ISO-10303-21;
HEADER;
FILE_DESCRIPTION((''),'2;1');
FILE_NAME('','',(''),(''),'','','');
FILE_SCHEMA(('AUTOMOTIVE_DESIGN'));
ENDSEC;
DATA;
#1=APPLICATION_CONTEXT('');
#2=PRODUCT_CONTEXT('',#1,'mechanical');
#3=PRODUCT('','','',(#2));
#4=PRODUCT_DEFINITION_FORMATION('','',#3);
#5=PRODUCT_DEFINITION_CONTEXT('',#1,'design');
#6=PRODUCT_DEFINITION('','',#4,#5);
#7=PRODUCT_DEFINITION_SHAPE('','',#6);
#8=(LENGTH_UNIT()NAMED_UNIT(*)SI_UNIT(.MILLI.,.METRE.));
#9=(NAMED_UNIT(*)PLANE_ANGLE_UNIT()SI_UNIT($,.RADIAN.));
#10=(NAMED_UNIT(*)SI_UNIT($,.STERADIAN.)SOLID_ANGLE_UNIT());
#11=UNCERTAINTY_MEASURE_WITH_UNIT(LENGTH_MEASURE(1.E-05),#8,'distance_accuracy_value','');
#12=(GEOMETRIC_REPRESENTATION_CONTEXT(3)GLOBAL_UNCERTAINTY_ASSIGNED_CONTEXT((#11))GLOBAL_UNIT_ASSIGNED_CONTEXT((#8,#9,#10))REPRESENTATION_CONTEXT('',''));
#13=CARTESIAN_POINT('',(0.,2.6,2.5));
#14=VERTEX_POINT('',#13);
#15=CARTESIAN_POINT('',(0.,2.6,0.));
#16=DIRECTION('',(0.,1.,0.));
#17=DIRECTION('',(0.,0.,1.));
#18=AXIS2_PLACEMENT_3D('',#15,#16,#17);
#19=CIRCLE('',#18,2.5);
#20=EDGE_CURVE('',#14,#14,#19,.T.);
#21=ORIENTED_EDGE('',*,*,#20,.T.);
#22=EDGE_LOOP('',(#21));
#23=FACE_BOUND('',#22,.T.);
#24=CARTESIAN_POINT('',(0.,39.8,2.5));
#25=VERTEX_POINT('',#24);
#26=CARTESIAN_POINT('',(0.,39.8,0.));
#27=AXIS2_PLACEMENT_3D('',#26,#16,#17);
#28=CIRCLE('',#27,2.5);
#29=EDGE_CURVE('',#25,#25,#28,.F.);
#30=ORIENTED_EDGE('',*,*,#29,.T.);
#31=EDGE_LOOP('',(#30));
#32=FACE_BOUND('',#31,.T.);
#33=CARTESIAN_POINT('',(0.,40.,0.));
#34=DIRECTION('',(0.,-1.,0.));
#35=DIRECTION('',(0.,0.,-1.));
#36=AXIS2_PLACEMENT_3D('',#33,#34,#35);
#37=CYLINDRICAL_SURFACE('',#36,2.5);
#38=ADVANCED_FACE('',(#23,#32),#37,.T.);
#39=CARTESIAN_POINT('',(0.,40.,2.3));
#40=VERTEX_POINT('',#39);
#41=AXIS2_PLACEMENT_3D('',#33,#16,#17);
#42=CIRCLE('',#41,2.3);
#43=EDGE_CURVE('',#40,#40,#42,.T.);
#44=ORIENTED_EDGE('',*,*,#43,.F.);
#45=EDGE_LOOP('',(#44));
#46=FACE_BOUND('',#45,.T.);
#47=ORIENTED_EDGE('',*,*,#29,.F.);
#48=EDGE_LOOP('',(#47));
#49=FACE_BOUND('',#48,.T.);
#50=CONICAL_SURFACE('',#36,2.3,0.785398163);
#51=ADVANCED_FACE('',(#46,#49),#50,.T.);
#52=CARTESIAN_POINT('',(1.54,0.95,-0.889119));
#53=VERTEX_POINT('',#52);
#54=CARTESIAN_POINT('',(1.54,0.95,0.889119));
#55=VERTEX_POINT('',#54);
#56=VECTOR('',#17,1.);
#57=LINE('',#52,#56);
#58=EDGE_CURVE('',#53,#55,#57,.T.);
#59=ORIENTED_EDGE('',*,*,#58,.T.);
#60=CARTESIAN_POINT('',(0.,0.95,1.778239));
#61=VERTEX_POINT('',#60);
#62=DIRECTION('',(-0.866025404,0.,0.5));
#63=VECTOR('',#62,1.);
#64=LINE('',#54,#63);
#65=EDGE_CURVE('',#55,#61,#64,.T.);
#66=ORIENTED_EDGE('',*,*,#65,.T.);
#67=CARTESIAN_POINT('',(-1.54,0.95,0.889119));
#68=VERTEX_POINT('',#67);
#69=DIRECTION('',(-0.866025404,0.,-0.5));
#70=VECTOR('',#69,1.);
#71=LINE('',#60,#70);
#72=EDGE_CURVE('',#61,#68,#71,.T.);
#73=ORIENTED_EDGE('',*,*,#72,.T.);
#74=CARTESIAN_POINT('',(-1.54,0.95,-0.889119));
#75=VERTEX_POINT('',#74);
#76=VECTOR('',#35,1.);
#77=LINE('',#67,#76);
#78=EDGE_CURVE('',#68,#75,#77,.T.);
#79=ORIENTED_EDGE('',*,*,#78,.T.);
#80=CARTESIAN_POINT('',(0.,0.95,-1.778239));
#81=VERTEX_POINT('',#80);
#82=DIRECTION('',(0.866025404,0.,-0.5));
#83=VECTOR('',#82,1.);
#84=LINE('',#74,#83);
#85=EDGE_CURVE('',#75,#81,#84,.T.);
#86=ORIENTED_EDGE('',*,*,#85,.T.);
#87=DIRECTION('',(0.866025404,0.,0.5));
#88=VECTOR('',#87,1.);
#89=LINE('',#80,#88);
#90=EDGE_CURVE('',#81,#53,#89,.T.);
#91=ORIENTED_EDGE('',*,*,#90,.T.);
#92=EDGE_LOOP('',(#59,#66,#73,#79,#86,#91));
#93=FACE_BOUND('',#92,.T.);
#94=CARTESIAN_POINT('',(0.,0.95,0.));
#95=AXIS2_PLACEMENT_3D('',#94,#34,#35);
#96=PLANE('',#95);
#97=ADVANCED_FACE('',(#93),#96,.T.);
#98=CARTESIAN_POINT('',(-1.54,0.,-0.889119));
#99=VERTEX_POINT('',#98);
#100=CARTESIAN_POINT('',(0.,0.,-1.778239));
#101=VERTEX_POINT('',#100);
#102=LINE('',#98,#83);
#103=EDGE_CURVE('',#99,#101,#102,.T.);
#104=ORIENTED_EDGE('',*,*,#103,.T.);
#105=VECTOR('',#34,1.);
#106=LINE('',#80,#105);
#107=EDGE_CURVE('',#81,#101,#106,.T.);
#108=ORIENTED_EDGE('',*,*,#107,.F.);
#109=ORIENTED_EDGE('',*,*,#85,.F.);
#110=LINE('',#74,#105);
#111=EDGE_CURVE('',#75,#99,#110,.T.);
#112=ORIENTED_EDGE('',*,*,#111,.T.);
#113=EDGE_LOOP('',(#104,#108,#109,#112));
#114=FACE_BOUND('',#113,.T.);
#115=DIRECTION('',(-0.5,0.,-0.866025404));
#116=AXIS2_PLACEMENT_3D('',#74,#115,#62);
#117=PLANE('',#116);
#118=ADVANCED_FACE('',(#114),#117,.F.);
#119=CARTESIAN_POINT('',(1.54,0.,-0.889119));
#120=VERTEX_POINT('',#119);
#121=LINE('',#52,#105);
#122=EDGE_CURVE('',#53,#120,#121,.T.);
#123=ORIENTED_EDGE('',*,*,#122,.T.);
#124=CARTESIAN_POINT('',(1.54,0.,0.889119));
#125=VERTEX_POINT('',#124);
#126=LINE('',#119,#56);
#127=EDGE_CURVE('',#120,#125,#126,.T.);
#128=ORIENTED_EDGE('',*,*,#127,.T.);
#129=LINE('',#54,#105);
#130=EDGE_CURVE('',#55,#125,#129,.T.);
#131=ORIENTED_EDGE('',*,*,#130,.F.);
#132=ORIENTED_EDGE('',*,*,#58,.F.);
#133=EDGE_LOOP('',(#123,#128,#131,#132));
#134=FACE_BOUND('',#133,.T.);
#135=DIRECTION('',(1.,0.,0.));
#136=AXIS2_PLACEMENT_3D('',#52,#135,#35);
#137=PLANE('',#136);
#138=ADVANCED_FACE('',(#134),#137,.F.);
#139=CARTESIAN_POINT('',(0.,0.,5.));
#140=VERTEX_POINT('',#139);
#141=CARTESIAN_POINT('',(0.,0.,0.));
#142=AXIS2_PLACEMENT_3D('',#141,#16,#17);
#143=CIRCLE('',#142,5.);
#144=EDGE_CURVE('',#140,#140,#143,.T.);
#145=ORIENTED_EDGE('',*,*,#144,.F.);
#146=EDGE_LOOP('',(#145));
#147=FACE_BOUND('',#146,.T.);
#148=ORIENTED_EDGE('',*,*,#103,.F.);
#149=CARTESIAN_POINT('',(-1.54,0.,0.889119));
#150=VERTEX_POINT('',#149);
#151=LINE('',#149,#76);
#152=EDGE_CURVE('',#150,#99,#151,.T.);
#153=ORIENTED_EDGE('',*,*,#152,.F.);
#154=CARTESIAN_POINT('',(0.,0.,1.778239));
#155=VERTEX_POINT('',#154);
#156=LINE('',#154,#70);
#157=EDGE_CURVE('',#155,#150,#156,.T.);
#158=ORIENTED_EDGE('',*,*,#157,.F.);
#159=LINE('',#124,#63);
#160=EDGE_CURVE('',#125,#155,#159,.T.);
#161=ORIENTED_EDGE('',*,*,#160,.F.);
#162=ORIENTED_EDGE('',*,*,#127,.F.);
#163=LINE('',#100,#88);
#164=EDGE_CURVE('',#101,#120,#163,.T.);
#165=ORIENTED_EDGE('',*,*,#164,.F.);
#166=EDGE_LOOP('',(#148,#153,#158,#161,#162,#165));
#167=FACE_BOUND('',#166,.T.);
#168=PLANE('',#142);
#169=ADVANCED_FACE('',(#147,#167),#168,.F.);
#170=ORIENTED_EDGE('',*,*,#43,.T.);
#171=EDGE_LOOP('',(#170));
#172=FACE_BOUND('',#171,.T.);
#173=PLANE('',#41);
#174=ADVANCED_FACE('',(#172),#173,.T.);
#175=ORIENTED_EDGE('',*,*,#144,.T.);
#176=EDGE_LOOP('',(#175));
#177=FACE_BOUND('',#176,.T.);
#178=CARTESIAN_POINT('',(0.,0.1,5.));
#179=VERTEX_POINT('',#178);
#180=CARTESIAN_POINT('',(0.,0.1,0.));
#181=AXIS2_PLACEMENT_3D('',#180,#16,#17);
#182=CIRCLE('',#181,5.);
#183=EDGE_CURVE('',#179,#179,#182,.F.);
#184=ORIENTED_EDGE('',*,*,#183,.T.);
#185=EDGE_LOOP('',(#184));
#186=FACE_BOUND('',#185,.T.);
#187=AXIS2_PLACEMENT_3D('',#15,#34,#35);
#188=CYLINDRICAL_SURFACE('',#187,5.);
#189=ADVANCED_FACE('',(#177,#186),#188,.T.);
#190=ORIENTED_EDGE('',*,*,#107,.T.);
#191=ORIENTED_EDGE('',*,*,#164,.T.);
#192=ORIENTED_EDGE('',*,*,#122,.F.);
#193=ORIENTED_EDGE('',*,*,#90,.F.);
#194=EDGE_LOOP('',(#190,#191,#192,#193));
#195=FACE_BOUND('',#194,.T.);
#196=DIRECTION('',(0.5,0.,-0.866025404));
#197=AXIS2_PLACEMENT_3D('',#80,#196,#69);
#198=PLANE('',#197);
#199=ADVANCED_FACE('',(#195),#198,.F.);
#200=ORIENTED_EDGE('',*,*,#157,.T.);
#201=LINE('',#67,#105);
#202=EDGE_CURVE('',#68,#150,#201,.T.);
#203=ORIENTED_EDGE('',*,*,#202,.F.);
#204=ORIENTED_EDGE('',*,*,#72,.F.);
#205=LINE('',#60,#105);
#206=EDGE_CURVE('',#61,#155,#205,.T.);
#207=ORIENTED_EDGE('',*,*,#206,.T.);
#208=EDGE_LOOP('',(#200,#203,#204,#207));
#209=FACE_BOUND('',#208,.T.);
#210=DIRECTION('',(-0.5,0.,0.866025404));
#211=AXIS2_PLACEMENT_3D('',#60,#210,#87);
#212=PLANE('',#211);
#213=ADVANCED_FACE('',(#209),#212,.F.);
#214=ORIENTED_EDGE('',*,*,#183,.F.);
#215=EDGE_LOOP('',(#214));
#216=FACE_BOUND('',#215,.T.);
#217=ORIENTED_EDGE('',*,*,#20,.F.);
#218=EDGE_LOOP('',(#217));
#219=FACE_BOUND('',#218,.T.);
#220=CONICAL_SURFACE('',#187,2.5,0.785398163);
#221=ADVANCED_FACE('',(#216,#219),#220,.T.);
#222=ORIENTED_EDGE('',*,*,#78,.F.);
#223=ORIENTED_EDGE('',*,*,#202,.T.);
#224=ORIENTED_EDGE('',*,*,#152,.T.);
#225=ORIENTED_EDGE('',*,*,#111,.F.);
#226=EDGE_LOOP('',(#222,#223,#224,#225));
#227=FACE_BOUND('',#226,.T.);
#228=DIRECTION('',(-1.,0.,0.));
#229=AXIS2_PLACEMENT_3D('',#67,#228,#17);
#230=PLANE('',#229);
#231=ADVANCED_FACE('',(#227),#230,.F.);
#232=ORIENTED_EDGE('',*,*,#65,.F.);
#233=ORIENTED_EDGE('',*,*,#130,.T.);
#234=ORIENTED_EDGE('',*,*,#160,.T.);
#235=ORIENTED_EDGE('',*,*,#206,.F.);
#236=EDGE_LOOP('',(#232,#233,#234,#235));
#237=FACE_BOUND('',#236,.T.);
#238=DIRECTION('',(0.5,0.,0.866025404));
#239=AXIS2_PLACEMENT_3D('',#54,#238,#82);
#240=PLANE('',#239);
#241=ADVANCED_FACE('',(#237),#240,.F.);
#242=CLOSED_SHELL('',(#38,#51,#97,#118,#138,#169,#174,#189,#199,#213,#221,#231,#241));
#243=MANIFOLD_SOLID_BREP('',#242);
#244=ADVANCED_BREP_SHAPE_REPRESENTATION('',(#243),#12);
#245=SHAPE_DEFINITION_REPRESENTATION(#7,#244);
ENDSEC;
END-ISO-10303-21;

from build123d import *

# Parameters (mm, degrees)
SKETCH_1_R          = 5
EXTRUDE_1_DEPTH     = 2.6
CHAMFER_1_SIZE      = 2.5
CUT_EXTRUDE_1_DEPTH = 0.95
SKETCH_3_R          = 2.5
EXTRUDE_2_DEPTH     = 37.4
CHAMFER_2_SIZE      = 0.2


with BuildPart() as part:
    # 草图1 → 凸台-拉伸1 (new body)
    with BuildSketch(Plane(origin=(0, 0, 0), x_dir=(1, 0, 0), z_dir=(0, 1, 0))):
        with Locations(Location((0, 0, 0), (0, 0, 270))):
            Circle(SKETCH_1_R)
    extrude(amount=EXTRUDE_1_DEPTH)

    # 倒角1
    chamfer_1_edges = [part.edges().sort_by_distance(p)[0] for p in [
        (0, 2.6, -5),
    ]]
    chamfer(chamfer_1_edges, length=CHAMFER_1_SIZE)

    # 草图2 → 切除-拉伸1 (cut)
    with BuildSketch(Plane.XZ):
        Polygon((1.54, -0.889119415), (1.54, 0.889119415), (0, 1.778238829), (-1.54, 0.889119415), (-1.54, -0.889119415), (0, -1.778238829), align=None)
    extrude(amount=-CUT_EXTRUDE_1_DEPTH, mode=Mode.SUBTRACT)

    # 草图3 → 凸台-拉伸2 (add)
    with BuildSketch(Plane(origin=(0, 2.6, 0), x_dir=(1, 0, 0), z_dir=(0, 1, 0))):
        with Locations(Location((0, 0, 0), (0, 0, 270))):
            Circle(SKETCH_3_R)
    extrude(amount=EXTRUDE_2_DEPTH)

    # 倒角2
    chamfer_2_edges = [part.edges().sort_by_distance(p)[0] for p in [
        (0, 40, -2.5),
    ]]
    chamfer(chamfer_2_edges, length=CHAMFER_2_SIZE)


solid = part.part
